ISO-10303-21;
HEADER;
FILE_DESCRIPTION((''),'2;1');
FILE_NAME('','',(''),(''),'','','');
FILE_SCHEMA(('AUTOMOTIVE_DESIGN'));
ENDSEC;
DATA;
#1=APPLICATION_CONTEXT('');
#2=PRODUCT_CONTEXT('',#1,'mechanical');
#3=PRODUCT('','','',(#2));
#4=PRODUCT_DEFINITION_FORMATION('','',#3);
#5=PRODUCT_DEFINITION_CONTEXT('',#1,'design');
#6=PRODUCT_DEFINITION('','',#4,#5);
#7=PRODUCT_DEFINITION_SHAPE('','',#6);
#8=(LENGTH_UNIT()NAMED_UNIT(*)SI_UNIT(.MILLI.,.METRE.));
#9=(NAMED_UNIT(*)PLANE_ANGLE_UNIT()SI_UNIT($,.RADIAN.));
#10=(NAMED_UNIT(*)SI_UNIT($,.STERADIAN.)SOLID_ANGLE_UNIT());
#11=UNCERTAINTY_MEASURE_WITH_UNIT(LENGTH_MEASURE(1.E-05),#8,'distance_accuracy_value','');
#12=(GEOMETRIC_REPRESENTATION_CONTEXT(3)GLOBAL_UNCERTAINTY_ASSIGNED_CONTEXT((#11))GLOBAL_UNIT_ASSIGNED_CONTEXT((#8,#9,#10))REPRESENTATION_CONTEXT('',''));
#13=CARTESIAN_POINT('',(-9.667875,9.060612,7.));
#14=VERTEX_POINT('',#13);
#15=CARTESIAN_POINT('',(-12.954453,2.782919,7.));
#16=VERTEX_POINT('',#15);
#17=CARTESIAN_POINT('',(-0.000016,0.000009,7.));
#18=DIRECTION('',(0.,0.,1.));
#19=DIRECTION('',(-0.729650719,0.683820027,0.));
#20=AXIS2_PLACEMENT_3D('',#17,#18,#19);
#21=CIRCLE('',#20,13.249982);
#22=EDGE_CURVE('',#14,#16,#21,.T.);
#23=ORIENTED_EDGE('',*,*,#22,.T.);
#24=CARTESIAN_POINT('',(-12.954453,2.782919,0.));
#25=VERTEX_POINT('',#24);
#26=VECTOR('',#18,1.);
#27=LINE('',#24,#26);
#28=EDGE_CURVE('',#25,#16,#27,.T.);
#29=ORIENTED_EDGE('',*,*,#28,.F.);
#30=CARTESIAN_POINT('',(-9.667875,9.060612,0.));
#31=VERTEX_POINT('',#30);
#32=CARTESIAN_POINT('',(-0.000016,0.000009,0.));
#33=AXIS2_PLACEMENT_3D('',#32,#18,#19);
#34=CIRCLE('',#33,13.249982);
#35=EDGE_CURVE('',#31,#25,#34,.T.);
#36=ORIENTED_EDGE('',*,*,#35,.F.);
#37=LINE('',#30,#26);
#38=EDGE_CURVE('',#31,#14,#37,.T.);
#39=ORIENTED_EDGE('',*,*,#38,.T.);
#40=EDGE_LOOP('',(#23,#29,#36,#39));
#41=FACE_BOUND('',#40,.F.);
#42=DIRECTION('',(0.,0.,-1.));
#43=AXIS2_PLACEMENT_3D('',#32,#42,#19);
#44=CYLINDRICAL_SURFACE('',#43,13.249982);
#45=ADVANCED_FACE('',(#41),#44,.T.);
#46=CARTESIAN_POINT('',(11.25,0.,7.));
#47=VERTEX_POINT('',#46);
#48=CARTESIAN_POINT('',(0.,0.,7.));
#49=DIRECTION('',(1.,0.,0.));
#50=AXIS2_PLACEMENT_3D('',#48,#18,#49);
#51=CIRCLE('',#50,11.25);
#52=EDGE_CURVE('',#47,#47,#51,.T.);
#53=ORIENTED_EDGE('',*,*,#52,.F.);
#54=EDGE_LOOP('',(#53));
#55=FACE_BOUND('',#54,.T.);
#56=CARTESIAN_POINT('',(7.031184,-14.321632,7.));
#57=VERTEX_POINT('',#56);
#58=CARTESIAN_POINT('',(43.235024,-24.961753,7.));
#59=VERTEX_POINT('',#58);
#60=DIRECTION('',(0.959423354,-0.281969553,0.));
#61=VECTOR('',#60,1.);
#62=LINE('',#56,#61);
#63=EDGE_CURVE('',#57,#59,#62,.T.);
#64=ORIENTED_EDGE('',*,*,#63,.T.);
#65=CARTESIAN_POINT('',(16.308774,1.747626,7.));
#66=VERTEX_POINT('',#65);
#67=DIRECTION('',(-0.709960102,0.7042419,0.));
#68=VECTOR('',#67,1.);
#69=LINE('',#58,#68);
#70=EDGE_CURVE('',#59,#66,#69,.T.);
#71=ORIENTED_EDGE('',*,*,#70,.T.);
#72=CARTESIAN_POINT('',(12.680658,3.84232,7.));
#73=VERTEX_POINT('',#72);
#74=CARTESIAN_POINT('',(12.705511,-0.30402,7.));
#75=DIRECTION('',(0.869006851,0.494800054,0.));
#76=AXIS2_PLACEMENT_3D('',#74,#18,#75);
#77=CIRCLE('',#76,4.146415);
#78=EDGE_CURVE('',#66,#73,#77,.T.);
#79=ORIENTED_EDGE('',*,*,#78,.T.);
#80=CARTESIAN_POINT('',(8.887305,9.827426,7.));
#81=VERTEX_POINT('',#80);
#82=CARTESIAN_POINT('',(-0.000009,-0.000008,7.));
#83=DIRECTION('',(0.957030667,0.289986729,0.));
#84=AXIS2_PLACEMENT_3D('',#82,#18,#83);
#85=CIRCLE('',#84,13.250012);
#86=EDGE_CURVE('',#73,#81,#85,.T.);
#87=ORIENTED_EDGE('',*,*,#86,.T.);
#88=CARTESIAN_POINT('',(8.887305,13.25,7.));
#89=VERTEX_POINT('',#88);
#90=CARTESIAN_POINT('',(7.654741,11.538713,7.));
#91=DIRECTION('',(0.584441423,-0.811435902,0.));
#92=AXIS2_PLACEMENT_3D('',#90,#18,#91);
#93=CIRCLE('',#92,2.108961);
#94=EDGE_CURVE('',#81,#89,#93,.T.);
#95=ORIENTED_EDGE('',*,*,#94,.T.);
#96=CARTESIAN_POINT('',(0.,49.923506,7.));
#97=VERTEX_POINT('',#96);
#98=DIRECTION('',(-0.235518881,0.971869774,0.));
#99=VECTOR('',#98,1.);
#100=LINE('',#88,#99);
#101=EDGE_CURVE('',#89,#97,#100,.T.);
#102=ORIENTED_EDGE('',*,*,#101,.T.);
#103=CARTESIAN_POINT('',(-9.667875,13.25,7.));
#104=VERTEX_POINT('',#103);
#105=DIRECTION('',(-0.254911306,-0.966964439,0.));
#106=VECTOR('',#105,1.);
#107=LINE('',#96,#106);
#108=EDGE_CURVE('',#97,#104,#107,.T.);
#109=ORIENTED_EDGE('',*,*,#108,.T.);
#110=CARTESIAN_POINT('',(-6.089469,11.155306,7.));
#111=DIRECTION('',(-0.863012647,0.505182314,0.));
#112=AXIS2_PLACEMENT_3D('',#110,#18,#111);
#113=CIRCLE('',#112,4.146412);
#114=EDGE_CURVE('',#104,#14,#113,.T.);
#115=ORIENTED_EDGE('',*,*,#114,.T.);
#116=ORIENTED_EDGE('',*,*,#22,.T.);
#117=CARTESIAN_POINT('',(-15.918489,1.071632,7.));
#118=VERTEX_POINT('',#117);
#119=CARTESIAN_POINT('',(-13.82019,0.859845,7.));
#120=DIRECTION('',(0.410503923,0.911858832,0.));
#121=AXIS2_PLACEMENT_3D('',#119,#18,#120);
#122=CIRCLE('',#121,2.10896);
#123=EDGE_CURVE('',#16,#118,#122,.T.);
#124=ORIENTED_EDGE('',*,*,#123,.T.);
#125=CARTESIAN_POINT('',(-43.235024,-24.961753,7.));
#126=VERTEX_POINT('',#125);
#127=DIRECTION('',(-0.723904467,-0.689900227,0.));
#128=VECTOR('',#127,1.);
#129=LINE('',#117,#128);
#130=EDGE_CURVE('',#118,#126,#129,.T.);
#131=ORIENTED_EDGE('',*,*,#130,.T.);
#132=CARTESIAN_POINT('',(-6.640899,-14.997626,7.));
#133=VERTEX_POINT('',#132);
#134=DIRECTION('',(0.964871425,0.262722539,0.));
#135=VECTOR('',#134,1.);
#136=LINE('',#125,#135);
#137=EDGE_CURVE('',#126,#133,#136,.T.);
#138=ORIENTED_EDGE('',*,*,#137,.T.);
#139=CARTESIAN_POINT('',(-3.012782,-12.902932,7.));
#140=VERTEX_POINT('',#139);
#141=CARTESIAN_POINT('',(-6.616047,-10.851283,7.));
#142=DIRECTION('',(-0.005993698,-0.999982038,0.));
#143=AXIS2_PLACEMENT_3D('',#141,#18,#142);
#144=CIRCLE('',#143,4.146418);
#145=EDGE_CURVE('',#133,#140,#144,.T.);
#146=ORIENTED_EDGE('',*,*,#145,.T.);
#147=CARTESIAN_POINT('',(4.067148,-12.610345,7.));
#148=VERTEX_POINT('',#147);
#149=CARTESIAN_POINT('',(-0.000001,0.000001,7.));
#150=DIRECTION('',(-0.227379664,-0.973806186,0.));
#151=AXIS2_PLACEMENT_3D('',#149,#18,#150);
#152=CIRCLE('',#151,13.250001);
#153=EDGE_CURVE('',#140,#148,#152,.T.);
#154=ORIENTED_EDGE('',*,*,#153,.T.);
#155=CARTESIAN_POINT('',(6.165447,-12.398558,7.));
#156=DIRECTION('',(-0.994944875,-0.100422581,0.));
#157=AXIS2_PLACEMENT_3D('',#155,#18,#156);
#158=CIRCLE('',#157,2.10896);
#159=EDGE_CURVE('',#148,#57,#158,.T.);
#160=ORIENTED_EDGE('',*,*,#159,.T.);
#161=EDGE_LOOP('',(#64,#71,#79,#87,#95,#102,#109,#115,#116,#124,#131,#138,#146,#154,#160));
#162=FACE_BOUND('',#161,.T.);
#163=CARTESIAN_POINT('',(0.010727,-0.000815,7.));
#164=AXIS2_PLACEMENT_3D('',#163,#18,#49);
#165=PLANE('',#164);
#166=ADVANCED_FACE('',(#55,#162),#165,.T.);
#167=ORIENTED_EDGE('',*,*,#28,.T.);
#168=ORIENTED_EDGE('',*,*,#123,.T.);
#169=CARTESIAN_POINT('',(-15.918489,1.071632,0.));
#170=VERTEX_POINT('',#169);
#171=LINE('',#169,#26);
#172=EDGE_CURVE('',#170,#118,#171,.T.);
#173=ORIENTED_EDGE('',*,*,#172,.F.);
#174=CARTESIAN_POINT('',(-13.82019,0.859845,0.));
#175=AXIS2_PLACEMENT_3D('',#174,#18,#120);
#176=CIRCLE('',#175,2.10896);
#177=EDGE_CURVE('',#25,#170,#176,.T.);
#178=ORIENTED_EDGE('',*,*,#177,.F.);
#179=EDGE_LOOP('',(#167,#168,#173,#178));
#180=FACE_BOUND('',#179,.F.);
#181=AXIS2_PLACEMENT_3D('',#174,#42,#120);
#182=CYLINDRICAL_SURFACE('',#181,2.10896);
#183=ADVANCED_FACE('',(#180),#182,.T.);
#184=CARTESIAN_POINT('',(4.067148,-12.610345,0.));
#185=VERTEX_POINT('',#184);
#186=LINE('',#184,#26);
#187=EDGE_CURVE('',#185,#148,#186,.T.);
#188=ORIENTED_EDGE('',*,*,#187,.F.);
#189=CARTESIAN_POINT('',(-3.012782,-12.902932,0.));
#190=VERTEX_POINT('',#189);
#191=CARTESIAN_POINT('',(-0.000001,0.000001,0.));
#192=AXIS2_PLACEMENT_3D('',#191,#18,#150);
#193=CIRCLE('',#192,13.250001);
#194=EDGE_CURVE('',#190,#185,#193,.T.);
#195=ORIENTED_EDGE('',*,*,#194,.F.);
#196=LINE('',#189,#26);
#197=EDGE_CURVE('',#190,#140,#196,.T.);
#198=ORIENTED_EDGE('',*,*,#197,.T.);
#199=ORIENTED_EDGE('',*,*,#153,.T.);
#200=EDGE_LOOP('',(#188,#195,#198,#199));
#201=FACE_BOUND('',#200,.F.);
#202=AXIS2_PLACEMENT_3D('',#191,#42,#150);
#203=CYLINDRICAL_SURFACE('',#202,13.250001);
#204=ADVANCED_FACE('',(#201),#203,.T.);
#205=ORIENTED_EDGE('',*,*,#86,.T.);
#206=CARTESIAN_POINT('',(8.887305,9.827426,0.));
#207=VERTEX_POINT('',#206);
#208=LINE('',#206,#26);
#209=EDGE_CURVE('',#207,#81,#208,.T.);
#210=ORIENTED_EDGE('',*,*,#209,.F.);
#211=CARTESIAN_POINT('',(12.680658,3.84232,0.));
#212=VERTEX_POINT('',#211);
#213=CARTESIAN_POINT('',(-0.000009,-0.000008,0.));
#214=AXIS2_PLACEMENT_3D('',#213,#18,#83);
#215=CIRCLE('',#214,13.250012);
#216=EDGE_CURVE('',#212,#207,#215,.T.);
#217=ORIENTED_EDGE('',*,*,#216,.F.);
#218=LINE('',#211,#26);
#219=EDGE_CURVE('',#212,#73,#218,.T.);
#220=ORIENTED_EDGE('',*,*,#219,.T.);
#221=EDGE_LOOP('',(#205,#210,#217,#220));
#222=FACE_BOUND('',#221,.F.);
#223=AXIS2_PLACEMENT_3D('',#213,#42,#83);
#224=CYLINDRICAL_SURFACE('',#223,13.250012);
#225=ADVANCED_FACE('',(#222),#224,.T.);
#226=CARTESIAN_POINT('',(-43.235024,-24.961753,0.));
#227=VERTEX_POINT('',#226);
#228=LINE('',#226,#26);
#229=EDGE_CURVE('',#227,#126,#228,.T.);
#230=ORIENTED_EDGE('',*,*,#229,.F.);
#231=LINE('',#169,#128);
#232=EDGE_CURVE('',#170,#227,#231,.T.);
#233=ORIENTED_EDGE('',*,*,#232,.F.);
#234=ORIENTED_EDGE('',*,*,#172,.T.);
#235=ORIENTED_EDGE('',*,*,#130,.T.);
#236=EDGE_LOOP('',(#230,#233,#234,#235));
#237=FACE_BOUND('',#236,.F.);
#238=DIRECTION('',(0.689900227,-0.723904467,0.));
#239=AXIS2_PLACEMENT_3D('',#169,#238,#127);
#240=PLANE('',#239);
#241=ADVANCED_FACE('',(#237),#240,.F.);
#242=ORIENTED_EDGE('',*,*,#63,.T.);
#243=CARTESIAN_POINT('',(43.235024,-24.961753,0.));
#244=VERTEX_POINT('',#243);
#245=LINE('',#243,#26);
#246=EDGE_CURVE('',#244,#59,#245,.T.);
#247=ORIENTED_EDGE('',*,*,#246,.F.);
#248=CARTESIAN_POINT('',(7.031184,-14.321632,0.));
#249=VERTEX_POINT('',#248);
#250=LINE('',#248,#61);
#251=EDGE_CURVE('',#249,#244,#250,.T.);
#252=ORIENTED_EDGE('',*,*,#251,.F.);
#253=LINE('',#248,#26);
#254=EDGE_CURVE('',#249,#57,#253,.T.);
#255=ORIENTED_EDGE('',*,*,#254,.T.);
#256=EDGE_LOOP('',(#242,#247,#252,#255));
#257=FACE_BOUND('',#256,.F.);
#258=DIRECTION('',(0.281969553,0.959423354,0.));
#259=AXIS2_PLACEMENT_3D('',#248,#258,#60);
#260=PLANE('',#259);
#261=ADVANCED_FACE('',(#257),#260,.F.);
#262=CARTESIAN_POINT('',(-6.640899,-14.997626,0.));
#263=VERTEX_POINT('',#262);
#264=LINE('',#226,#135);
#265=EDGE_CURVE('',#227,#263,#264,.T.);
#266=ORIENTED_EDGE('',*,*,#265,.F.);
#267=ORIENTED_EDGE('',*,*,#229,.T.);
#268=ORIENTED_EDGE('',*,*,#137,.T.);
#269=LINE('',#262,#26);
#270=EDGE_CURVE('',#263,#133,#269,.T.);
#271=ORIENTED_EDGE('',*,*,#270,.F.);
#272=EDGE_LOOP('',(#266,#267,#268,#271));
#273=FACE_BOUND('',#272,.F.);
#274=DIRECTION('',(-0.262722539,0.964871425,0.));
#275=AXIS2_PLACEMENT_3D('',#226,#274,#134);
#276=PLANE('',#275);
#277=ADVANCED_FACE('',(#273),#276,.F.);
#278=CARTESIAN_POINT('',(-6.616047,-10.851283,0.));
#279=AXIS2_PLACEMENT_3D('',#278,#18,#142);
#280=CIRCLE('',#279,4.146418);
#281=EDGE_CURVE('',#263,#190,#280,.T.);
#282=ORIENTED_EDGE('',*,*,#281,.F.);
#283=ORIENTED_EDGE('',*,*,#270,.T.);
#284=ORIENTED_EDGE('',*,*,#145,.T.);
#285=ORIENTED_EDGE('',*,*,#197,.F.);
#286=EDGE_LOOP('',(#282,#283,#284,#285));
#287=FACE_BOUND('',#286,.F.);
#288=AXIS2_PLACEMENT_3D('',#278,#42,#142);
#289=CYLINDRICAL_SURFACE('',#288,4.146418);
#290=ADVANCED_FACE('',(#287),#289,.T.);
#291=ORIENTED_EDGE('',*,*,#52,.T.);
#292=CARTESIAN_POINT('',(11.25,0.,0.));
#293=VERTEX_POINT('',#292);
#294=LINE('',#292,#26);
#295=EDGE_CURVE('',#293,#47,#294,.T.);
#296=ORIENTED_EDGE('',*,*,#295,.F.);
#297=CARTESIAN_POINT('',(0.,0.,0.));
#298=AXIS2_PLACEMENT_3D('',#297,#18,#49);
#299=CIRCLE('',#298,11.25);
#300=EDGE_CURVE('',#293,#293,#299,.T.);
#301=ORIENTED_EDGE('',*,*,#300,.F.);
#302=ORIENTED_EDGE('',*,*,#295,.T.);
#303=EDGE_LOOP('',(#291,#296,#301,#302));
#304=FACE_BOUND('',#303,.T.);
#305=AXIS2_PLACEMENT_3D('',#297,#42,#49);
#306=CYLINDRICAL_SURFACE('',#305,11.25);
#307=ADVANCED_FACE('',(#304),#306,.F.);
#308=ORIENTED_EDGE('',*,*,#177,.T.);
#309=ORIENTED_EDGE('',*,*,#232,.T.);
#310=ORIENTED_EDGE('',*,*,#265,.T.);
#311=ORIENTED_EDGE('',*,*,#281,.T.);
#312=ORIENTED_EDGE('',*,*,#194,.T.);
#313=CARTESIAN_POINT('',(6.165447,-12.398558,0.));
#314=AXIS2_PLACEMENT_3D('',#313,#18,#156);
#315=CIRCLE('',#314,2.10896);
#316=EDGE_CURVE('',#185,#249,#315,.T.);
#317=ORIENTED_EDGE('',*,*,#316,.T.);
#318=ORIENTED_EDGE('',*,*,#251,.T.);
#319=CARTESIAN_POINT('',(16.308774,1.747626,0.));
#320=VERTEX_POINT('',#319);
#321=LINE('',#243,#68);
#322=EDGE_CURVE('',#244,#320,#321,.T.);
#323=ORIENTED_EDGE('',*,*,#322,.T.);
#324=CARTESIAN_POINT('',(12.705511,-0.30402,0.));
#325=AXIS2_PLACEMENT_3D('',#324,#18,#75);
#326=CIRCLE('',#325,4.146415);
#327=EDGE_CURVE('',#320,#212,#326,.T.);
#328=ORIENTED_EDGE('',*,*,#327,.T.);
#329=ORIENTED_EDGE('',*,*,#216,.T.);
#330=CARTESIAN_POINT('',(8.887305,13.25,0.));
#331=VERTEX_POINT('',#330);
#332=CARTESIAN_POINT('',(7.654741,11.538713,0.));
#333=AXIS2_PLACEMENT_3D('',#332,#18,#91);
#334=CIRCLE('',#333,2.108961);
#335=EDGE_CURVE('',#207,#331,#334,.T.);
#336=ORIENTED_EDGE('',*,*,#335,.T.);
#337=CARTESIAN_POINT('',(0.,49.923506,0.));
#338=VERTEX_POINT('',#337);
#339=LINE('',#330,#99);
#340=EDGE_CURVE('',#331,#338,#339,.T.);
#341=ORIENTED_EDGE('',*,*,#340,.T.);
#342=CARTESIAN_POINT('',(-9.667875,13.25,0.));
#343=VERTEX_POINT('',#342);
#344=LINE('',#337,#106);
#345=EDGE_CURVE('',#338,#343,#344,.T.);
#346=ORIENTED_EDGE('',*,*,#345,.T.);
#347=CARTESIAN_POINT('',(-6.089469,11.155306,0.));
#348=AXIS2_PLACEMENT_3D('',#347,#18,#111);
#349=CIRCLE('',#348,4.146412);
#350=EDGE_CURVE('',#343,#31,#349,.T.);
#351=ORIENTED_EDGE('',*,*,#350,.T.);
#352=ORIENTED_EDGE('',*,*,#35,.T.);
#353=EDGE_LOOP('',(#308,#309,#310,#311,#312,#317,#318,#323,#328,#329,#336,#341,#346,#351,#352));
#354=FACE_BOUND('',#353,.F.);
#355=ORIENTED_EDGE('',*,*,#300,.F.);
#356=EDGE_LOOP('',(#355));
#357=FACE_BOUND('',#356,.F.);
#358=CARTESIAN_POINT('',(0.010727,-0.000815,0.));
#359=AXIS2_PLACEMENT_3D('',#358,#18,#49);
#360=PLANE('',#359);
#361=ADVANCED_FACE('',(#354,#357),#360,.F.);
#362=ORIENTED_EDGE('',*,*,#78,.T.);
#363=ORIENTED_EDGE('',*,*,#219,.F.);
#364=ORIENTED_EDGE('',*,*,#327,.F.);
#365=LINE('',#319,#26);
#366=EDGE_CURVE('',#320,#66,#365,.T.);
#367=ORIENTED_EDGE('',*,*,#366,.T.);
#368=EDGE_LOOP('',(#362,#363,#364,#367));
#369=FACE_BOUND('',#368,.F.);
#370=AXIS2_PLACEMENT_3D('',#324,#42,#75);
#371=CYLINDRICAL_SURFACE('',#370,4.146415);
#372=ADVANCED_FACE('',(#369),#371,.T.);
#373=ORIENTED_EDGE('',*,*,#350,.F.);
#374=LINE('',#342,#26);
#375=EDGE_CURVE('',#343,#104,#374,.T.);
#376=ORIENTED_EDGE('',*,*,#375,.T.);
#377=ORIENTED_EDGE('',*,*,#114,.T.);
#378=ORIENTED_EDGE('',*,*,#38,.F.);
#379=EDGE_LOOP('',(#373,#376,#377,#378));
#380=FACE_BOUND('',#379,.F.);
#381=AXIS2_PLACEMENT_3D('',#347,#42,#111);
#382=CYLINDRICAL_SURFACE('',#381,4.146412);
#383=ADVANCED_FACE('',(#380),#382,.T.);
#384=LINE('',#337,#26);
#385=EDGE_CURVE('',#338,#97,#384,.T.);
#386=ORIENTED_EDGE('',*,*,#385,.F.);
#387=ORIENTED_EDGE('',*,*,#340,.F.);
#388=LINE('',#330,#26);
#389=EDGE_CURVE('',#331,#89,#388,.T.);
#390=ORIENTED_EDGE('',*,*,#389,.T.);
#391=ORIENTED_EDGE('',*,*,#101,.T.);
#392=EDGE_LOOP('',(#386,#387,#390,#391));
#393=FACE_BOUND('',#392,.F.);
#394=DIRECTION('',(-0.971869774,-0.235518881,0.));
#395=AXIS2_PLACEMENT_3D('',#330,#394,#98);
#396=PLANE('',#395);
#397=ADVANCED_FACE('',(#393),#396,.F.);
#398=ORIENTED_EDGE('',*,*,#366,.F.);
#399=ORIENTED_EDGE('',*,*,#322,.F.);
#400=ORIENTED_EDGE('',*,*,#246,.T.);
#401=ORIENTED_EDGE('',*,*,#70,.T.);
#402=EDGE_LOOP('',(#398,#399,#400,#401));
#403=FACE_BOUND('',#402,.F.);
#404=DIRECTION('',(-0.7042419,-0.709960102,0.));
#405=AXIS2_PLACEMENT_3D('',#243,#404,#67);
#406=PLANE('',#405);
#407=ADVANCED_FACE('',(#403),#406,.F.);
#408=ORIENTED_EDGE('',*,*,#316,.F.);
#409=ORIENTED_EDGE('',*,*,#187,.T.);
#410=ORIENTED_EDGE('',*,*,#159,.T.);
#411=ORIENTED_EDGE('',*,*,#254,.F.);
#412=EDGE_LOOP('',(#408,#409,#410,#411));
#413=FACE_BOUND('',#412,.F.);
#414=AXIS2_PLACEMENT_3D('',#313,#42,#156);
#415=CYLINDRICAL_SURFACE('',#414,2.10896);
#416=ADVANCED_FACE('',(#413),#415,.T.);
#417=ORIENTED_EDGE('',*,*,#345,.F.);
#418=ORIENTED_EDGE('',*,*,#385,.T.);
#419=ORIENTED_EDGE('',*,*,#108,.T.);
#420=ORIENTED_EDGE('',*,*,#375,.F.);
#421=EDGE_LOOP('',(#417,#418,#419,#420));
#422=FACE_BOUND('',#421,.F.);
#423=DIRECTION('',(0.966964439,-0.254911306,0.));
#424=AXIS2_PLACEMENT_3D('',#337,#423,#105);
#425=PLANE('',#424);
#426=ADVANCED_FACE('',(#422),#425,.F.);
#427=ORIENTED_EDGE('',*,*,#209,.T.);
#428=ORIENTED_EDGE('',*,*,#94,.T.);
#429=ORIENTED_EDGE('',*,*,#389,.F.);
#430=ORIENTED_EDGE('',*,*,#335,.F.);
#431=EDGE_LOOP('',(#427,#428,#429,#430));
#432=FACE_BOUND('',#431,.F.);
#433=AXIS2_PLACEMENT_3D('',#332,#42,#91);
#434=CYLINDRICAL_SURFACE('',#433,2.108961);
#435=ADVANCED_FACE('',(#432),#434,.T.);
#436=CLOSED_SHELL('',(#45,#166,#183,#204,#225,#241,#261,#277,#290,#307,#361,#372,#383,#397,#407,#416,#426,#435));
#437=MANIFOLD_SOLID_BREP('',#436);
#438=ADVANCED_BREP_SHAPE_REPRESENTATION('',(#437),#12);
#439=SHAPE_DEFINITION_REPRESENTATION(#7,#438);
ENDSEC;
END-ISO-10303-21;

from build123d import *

# Parameters (mm, degrees)
F0_R     = 11.25
F1_DEPTH = 7


with BuildPart() as f1:
    # F0 (on Top) → F1 (new body)
    with BuildSketch(Plane.XY):
        with BuildLine():
            ThreePointArc((11.474837, -6.625), (12.798517, -3.429352), (13.25, 0))
            ThreePointArc((13.25, 0), (13.106892, 1.942136), (12.680658, 3.84232))
            ThreePointArc((12.680658, 3.84232), (11.191498, 7.093156), (8.887305, 9.827426))
            ThreePointArc((8.887305, 9.827426), (4.76178, 12.364787), (0, 13.25))
            ThreePointArc((0, 13.25), (-5.268273, 12.157623), (-9.667875, 9.060612))
            ThreePointArc((-9.667875, 9.060612), (-11.738603, 6.145544), (-12.954453, 2.782919))
            ThreePointArc((-12.954453, 2.782919), (-13.08911, -2.05857), (-11.474837, -6.625))
            ThreePointArc((-11.474837, -6.625), (-7.894674, -10.641269), (-3.012782, -12.902932))
            ThreePointArc((-3.012782, -12.902932), (0.547104, -13.2387), (4.067148, -12.610345))
            ThreePointArc((4.067148, -12.610345), (8.327329, -10.306216), (11.474837, -6.625))
        make_face()
        Circle(F0_R, mode=Mode.SUBTRACT)
        with BuildLine():
            ThreePointArc((12.680658, 3.84232), (13.106892, 1.942136), (13.25, 0))
            ThreePointArc((13.25, 0), (12.798517, -3.429352), (11.474837, -6.625))
            Line((11.474837, -6.625), (16.308774, 1.747626))
            ThreePointArc((16.308774, 1.747626), (14.778719, 3.28688), (12.680658, 3.84232))
        make_face()
        with BuildLine():
            Line((7.031184, -14.321632), (11.474837, -6.625))
            ThreePointArc((11.474837, -6.625), (8.327329, -10.306216), (4.067148, -12.610345))
            ThreePointArc((4.067148, -12.610345), (5.110967, -14.224971), (7.031184, -14.321632))
        make_face()
        Polygon((16.308774, 1.747626), (11.474837, -6.625), (7.031184, -14.321632), (43.235024, -24.961753), align=None)
        with BuildLine():
            ThreePointArc((0, 13.25), (4.76178, 12.364787), (8.887305, 9.827426))
            ThreePointArc((8.887305, 9.827426), (9.763702, 11.538713), (8.887305, 13.25))
            Line((8.887305, 13.25), (0, 13.25))
        make_face()
        with BuildLine():
            ThreePointArc((-9.667875, 9.060612), (-5.268273, 12.157623), (0, 13.25))
            Line((0, 13.25), (-9.667875, 13.25))
            ThreePointArc((-9.667875, 13.25), (-10.235881, 11.155306), (-9.667875, 9.060612))
        make_face()
        Polygon((-9.667875, 13.25), (0, 13.25), (8.887305, 13.25), (0, 49.923506), align=None)
        with BuildLine():
            ThreePointArc((-6.640899, -14.997626), (-4.542838, -14.442186), (-3.012782, -12.902932))
            ThreePointArc((-3.012782, -12.902932), (-7.894674, -10.641269), (-11.474837, -6.625))
            Line((-11.474837, -6.625), (-6.640899, -14.997626))
        make_face()
        with BuildLine():
            Line((-15.918489, 1.071632), (-11.474837, -6.625))
            ThreePointArc((-11.474837, -6.625), (-13.08911, -2.05857), (-12.954453, 2.782919))
            ThreePointArc((-12.954453, 2.782919), (-14.87467, 2.686258), (-15.918489, 1.071632))
        make_face()
        Polygon((-6.640899, -14.997626), (-11.474837, -6.625), (-15.918489, 1.071632), (-43.235024, -24.961753), align=None)
    extrude(amount=F1_DEPTH)


solid = f1.part
